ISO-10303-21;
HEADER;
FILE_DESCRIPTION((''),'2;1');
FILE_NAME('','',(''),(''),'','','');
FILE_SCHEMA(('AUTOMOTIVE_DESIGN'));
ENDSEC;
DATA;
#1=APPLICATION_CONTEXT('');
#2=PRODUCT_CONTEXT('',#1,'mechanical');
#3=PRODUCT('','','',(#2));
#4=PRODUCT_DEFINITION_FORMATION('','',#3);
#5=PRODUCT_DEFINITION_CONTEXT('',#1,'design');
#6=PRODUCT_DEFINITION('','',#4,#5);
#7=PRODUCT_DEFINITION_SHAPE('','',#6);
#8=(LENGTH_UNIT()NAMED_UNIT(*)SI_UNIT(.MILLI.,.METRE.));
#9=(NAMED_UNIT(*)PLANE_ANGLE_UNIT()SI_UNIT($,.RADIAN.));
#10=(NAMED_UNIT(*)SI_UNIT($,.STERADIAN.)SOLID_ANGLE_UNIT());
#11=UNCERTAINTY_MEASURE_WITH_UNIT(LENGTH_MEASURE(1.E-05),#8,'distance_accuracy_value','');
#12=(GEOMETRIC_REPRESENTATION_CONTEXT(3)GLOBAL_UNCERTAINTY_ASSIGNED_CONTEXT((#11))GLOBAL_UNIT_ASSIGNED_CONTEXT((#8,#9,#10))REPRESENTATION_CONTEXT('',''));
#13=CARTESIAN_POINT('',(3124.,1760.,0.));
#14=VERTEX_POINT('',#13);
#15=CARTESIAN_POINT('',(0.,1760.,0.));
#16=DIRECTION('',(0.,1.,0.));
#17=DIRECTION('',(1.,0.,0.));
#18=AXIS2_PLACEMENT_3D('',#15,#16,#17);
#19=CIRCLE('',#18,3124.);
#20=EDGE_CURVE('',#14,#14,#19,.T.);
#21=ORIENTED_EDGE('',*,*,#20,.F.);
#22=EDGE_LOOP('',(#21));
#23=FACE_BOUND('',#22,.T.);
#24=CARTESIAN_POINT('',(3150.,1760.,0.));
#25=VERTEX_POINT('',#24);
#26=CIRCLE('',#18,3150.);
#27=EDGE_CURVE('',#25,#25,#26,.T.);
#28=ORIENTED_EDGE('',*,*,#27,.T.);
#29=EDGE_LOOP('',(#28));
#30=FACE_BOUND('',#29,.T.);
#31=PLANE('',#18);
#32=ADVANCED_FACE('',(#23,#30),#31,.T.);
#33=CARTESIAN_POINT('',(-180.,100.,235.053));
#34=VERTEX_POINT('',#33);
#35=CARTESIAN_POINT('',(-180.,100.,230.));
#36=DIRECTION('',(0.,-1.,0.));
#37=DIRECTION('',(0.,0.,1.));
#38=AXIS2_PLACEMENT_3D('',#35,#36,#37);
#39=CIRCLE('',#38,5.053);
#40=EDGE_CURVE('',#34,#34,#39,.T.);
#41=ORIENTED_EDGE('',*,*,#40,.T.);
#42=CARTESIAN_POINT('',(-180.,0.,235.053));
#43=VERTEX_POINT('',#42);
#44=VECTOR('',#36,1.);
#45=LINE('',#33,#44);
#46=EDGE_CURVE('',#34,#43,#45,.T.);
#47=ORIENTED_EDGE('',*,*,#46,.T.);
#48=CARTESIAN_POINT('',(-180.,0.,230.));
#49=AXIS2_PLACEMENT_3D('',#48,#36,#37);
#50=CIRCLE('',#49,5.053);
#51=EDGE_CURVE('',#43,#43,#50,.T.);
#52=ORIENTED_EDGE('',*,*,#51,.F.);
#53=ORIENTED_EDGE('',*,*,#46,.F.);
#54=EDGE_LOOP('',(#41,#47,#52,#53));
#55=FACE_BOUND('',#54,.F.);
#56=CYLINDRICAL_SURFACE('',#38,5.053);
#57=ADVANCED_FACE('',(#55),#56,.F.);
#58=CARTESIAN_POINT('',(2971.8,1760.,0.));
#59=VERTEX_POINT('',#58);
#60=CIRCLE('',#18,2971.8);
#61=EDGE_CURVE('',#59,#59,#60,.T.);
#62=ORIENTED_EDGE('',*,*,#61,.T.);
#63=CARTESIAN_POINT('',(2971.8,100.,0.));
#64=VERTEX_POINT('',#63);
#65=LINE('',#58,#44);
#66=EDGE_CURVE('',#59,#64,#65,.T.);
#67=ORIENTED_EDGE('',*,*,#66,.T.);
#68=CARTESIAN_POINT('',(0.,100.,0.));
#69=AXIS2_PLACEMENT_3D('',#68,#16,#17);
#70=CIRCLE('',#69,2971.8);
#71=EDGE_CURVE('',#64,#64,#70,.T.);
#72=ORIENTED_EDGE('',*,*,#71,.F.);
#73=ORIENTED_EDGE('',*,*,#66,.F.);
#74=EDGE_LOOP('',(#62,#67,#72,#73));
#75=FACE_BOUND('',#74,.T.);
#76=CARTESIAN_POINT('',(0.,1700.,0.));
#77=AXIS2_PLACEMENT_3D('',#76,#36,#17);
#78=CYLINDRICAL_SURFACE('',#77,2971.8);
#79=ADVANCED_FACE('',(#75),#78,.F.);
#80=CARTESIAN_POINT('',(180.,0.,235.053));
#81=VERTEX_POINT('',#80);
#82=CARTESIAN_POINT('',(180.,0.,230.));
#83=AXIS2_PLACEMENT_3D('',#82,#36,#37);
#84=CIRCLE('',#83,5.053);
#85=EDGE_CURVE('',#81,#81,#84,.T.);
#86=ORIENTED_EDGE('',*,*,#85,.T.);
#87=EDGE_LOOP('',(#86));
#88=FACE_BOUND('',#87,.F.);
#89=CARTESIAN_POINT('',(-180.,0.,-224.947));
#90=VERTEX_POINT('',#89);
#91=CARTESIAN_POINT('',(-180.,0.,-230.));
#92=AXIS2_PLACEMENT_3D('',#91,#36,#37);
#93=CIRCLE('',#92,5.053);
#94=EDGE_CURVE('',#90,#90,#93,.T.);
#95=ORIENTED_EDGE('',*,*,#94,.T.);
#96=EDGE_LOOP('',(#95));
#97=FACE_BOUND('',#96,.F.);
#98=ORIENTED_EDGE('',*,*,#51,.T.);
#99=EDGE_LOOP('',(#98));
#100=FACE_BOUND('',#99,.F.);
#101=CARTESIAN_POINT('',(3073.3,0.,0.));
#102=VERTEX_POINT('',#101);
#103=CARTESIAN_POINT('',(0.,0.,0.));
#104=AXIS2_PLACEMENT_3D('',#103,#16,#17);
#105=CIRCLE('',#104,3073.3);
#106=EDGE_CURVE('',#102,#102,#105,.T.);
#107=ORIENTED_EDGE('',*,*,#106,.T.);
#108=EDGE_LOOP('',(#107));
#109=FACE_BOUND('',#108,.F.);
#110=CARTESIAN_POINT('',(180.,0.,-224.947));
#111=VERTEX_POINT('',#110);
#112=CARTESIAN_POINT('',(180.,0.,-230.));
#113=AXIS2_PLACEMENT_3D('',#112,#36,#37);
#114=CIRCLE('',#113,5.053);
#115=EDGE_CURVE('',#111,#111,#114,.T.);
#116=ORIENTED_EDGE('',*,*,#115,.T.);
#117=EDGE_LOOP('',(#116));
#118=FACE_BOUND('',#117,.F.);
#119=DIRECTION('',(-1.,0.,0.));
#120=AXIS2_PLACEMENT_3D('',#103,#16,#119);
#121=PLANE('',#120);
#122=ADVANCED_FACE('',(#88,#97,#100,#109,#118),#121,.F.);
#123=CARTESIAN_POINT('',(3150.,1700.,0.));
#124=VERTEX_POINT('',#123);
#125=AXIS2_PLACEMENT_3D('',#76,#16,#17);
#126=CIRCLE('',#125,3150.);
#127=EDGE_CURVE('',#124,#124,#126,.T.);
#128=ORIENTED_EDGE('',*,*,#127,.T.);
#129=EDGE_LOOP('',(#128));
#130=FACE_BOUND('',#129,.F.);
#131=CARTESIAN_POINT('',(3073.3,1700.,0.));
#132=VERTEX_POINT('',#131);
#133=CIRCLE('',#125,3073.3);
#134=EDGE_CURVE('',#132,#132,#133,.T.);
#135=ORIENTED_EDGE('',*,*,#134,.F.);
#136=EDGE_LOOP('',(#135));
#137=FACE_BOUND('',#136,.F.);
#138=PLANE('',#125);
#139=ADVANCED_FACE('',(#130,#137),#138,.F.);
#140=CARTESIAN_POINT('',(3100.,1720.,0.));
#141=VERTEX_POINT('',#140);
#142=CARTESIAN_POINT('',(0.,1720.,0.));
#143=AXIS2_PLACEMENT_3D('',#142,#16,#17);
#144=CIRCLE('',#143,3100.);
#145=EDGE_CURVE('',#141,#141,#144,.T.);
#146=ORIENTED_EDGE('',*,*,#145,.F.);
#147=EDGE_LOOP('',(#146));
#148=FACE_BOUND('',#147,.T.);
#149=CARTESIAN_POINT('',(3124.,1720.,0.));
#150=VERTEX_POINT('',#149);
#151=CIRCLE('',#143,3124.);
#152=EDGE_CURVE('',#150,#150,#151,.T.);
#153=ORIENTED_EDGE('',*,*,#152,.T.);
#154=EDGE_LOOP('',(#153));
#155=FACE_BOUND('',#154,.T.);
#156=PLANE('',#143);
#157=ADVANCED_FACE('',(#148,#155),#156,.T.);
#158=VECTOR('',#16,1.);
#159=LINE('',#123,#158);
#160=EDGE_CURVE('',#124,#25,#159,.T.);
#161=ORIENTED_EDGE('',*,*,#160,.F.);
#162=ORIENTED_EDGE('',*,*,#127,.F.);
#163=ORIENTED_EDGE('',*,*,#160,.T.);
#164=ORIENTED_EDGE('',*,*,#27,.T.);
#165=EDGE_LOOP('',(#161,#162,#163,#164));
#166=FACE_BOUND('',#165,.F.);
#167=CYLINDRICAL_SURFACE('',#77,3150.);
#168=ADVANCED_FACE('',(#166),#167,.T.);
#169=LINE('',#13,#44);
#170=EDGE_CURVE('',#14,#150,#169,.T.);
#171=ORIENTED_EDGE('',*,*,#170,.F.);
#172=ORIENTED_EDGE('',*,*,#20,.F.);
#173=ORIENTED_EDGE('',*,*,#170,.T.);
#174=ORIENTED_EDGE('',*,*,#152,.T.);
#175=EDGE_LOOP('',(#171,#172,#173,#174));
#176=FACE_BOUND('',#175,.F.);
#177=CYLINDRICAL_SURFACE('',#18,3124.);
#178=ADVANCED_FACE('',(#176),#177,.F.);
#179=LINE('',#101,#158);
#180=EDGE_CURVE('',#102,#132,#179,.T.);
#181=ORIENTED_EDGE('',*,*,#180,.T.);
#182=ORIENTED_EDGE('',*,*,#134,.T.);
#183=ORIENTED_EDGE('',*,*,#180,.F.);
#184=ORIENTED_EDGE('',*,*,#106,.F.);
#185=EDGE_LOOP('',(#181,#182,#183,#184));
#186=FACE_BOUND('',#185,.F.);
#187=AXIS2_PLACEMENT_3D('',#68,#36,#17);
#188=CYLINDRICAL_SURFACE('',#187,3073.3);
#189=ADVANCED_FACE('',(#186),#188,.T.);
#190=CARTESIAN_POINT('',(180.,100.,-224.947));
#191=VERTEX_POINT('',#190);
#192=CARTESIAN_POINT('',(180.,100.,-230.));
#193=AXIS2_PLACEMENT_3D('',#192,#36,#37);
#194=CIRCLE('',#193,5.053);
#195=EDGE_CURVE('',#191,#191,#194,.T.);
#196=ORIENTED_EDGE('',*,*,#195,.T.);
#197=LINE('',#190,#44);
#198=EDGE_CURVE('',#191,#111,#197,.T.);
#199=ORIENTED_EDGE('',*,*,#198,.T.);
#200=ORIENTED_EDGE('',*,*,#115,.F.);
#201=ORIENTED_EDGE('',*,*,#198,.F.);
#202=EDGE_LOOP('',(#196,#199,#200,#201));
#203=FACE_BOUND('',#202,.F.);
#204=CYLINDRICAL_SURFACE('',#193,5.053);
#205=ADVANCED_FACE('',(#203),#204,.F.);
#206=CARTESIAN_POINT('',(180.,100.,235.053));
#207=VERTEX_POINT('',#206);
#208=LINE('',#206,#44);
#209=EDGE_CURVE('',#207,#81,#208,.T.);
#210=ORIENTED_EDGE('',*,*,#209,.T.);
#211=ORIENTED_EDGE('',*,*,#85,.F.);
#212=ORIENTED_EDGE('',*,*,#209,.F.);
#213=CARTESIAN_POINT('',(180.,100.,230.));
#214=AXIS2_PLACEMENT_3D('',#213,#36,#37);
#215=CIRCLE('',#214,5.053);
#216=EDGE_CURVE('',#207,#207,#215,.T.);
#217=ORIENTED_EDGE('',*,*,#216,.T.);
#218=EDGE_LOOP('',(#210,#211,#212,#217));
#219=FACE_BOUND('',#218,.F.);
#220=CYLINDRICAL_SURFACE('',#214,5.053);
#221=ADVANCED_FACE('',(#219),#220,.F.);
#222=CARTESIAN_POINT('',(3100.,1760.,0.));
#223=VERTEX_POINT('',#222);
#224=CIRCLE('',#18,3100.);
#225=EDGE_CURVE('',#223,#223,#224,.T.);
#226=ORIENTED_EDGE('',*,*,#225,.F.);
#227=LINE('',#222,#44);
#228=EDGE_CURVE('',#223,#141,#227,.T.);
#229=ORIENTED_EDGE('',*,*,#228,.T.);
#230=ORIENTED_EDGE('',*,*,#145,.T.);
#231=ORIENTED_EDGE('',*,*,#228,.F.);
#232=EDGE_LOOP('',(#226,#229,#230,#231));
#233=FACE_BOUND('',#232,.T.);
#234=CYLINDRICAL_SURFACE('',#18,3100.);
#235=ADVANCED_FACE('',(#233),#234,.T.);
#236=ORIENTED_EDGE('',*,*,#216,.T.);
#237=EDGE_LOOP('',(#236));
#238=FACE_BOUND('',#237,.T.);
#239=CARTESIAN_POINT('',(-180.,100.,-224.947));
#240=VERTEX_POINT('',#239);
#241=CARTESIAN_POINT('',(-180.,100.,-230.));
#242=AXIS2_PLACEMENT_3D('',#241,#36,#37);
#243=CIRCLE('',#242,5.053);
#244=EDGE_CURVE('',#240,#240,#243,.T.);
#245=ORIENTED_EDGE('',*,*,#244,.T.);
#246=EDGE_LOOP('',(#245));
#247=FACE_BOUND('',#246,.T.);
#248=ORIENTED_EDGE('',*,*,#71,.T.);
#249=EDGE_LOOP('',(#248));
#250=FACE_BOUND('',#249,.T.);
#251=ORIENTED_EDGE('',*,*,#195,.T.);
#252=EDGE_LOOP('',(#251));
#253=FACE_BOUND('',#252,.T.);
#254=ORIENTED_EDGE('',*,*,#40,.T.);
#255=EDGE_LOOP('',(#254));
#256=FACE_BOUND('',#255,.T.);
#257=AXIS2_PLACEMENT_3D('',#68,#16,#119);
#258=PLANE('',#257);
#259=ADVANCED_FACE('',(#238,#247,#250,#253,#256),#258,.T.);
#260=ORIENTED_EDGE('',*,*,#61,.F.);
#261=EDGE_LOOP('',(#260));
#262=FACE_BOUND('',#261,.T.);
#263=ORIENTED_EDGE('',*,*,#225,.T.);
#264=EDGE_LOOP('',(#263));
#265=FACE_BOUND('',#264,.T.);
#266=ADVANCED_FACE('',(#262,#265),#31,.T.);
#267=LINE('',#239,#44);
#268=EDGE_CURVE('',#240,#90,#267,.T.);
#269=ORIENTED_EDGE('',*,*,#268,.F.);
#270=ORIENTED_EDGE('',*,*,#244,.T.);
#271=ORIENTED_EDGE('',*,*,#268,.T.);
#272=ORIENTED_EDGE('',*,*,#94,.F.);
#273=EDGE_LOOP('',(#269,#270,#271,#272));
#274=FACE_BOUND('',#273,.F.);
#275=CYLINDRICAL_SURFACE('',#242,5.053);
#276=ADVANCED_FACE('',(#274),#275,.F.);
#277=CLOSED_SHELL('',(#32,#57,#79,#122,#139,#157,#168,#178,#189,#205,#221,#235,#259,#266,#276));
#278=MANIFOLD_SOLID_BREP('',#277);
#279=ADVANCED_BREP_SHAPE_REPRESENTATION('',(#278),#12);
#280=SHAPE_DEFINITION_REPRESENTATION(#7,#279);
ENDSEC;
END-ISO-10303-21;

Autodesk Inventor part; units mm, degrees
ref_plane "YZ Plane" through (0, 0, 0) normal (1, 0, 0) x (0, 1, 0)
ref_plane "XZ Plane" through (0, 0, 0) normal (0, 1, 0) x (-1, 0, 0)
sketch "Sketch1" plane through (0, 0, 0) normal (0, 1, 0) x (-1, 0, 0)
  circle A0 centre (0, 0) radius 3350
  dimension "d1" = 6700
extrude "Extrusion1" add sketch "Sketch1" along normal blind 100
ref_plane "Work Plane3" through (0, 100, 0) normal (0, 1, 0) x (1, 0, 0)
sketch "Sketch5" plane through (0, 100, 0) normal (0, 1, 0) x (1, 0, 0)
  point P0 (180, -230)
  point P1 (-180, -230)
  point P2 (180, 230)
  point P3 (-180, 230)
hole "Hole1" at (180, 100, 230) at (-180, 100, 230) at (180, 100, -230) at (-180, 100, -230) direction (0, -1, 0) diameter 10.106 end through all thread size "M12x1.75" class "6H" standard "ISO Metric profile"
sketch "Sketch6" plane through (0, 100, 0) normal (0, 1, 0) x (1, 0, 0)
  circle A0 centre (0, 0) radius 2971.8
  circle A1 centre (0, 0) radius 3073.3
  circle A2 centre (0, 0) radius 3350 projected
  circle A3 centre (0, 0) radius 3350
  dimension "d19" = 5943.6
  dimension "d20" = 6146.6
extrude "Extrusion5" cut sketch "Sketch6" against normal through all contours A2
extrude "Extrusion6" add sketch "Sketch6" along normal blind 1600 contours A1
ref_plane "Work Plane4" through (0, 1700, 0) normal (0, 1, 0) x (1, 0, 0)
sketch "Sketch7" plane through (0, 1700, 0) normal (0, 1, 0) x (1, 0, 0)
  circle A0 centre (0, 0) radius 3.124
  circle A1 centre (0, 0) radius 3124
  circle A2 centre (0, 0) radius 3100
  circle A3 centre (0, 0) radius 3073.3 projected
  circle A4 centre (0, 0) radius 2971.8
  circle A5 centre (0, 0) radius 3150
extrude "Extrusion7" add sketch "Sketch7" along normal blind 60 contours A1 | A2 | A3 | A5
sketch "Sketch8" plane through (0, 1760, 0) normal (0, 1, 0) x (1, 0, 0)
  circle A0 centre (0, 0) radius 3124
  circle A1 centre (0, 0) radius 3100
extrude "Extrusion8" cut sketch "Sketch8" against normal blind 40
properties part number "DomeFloor"
